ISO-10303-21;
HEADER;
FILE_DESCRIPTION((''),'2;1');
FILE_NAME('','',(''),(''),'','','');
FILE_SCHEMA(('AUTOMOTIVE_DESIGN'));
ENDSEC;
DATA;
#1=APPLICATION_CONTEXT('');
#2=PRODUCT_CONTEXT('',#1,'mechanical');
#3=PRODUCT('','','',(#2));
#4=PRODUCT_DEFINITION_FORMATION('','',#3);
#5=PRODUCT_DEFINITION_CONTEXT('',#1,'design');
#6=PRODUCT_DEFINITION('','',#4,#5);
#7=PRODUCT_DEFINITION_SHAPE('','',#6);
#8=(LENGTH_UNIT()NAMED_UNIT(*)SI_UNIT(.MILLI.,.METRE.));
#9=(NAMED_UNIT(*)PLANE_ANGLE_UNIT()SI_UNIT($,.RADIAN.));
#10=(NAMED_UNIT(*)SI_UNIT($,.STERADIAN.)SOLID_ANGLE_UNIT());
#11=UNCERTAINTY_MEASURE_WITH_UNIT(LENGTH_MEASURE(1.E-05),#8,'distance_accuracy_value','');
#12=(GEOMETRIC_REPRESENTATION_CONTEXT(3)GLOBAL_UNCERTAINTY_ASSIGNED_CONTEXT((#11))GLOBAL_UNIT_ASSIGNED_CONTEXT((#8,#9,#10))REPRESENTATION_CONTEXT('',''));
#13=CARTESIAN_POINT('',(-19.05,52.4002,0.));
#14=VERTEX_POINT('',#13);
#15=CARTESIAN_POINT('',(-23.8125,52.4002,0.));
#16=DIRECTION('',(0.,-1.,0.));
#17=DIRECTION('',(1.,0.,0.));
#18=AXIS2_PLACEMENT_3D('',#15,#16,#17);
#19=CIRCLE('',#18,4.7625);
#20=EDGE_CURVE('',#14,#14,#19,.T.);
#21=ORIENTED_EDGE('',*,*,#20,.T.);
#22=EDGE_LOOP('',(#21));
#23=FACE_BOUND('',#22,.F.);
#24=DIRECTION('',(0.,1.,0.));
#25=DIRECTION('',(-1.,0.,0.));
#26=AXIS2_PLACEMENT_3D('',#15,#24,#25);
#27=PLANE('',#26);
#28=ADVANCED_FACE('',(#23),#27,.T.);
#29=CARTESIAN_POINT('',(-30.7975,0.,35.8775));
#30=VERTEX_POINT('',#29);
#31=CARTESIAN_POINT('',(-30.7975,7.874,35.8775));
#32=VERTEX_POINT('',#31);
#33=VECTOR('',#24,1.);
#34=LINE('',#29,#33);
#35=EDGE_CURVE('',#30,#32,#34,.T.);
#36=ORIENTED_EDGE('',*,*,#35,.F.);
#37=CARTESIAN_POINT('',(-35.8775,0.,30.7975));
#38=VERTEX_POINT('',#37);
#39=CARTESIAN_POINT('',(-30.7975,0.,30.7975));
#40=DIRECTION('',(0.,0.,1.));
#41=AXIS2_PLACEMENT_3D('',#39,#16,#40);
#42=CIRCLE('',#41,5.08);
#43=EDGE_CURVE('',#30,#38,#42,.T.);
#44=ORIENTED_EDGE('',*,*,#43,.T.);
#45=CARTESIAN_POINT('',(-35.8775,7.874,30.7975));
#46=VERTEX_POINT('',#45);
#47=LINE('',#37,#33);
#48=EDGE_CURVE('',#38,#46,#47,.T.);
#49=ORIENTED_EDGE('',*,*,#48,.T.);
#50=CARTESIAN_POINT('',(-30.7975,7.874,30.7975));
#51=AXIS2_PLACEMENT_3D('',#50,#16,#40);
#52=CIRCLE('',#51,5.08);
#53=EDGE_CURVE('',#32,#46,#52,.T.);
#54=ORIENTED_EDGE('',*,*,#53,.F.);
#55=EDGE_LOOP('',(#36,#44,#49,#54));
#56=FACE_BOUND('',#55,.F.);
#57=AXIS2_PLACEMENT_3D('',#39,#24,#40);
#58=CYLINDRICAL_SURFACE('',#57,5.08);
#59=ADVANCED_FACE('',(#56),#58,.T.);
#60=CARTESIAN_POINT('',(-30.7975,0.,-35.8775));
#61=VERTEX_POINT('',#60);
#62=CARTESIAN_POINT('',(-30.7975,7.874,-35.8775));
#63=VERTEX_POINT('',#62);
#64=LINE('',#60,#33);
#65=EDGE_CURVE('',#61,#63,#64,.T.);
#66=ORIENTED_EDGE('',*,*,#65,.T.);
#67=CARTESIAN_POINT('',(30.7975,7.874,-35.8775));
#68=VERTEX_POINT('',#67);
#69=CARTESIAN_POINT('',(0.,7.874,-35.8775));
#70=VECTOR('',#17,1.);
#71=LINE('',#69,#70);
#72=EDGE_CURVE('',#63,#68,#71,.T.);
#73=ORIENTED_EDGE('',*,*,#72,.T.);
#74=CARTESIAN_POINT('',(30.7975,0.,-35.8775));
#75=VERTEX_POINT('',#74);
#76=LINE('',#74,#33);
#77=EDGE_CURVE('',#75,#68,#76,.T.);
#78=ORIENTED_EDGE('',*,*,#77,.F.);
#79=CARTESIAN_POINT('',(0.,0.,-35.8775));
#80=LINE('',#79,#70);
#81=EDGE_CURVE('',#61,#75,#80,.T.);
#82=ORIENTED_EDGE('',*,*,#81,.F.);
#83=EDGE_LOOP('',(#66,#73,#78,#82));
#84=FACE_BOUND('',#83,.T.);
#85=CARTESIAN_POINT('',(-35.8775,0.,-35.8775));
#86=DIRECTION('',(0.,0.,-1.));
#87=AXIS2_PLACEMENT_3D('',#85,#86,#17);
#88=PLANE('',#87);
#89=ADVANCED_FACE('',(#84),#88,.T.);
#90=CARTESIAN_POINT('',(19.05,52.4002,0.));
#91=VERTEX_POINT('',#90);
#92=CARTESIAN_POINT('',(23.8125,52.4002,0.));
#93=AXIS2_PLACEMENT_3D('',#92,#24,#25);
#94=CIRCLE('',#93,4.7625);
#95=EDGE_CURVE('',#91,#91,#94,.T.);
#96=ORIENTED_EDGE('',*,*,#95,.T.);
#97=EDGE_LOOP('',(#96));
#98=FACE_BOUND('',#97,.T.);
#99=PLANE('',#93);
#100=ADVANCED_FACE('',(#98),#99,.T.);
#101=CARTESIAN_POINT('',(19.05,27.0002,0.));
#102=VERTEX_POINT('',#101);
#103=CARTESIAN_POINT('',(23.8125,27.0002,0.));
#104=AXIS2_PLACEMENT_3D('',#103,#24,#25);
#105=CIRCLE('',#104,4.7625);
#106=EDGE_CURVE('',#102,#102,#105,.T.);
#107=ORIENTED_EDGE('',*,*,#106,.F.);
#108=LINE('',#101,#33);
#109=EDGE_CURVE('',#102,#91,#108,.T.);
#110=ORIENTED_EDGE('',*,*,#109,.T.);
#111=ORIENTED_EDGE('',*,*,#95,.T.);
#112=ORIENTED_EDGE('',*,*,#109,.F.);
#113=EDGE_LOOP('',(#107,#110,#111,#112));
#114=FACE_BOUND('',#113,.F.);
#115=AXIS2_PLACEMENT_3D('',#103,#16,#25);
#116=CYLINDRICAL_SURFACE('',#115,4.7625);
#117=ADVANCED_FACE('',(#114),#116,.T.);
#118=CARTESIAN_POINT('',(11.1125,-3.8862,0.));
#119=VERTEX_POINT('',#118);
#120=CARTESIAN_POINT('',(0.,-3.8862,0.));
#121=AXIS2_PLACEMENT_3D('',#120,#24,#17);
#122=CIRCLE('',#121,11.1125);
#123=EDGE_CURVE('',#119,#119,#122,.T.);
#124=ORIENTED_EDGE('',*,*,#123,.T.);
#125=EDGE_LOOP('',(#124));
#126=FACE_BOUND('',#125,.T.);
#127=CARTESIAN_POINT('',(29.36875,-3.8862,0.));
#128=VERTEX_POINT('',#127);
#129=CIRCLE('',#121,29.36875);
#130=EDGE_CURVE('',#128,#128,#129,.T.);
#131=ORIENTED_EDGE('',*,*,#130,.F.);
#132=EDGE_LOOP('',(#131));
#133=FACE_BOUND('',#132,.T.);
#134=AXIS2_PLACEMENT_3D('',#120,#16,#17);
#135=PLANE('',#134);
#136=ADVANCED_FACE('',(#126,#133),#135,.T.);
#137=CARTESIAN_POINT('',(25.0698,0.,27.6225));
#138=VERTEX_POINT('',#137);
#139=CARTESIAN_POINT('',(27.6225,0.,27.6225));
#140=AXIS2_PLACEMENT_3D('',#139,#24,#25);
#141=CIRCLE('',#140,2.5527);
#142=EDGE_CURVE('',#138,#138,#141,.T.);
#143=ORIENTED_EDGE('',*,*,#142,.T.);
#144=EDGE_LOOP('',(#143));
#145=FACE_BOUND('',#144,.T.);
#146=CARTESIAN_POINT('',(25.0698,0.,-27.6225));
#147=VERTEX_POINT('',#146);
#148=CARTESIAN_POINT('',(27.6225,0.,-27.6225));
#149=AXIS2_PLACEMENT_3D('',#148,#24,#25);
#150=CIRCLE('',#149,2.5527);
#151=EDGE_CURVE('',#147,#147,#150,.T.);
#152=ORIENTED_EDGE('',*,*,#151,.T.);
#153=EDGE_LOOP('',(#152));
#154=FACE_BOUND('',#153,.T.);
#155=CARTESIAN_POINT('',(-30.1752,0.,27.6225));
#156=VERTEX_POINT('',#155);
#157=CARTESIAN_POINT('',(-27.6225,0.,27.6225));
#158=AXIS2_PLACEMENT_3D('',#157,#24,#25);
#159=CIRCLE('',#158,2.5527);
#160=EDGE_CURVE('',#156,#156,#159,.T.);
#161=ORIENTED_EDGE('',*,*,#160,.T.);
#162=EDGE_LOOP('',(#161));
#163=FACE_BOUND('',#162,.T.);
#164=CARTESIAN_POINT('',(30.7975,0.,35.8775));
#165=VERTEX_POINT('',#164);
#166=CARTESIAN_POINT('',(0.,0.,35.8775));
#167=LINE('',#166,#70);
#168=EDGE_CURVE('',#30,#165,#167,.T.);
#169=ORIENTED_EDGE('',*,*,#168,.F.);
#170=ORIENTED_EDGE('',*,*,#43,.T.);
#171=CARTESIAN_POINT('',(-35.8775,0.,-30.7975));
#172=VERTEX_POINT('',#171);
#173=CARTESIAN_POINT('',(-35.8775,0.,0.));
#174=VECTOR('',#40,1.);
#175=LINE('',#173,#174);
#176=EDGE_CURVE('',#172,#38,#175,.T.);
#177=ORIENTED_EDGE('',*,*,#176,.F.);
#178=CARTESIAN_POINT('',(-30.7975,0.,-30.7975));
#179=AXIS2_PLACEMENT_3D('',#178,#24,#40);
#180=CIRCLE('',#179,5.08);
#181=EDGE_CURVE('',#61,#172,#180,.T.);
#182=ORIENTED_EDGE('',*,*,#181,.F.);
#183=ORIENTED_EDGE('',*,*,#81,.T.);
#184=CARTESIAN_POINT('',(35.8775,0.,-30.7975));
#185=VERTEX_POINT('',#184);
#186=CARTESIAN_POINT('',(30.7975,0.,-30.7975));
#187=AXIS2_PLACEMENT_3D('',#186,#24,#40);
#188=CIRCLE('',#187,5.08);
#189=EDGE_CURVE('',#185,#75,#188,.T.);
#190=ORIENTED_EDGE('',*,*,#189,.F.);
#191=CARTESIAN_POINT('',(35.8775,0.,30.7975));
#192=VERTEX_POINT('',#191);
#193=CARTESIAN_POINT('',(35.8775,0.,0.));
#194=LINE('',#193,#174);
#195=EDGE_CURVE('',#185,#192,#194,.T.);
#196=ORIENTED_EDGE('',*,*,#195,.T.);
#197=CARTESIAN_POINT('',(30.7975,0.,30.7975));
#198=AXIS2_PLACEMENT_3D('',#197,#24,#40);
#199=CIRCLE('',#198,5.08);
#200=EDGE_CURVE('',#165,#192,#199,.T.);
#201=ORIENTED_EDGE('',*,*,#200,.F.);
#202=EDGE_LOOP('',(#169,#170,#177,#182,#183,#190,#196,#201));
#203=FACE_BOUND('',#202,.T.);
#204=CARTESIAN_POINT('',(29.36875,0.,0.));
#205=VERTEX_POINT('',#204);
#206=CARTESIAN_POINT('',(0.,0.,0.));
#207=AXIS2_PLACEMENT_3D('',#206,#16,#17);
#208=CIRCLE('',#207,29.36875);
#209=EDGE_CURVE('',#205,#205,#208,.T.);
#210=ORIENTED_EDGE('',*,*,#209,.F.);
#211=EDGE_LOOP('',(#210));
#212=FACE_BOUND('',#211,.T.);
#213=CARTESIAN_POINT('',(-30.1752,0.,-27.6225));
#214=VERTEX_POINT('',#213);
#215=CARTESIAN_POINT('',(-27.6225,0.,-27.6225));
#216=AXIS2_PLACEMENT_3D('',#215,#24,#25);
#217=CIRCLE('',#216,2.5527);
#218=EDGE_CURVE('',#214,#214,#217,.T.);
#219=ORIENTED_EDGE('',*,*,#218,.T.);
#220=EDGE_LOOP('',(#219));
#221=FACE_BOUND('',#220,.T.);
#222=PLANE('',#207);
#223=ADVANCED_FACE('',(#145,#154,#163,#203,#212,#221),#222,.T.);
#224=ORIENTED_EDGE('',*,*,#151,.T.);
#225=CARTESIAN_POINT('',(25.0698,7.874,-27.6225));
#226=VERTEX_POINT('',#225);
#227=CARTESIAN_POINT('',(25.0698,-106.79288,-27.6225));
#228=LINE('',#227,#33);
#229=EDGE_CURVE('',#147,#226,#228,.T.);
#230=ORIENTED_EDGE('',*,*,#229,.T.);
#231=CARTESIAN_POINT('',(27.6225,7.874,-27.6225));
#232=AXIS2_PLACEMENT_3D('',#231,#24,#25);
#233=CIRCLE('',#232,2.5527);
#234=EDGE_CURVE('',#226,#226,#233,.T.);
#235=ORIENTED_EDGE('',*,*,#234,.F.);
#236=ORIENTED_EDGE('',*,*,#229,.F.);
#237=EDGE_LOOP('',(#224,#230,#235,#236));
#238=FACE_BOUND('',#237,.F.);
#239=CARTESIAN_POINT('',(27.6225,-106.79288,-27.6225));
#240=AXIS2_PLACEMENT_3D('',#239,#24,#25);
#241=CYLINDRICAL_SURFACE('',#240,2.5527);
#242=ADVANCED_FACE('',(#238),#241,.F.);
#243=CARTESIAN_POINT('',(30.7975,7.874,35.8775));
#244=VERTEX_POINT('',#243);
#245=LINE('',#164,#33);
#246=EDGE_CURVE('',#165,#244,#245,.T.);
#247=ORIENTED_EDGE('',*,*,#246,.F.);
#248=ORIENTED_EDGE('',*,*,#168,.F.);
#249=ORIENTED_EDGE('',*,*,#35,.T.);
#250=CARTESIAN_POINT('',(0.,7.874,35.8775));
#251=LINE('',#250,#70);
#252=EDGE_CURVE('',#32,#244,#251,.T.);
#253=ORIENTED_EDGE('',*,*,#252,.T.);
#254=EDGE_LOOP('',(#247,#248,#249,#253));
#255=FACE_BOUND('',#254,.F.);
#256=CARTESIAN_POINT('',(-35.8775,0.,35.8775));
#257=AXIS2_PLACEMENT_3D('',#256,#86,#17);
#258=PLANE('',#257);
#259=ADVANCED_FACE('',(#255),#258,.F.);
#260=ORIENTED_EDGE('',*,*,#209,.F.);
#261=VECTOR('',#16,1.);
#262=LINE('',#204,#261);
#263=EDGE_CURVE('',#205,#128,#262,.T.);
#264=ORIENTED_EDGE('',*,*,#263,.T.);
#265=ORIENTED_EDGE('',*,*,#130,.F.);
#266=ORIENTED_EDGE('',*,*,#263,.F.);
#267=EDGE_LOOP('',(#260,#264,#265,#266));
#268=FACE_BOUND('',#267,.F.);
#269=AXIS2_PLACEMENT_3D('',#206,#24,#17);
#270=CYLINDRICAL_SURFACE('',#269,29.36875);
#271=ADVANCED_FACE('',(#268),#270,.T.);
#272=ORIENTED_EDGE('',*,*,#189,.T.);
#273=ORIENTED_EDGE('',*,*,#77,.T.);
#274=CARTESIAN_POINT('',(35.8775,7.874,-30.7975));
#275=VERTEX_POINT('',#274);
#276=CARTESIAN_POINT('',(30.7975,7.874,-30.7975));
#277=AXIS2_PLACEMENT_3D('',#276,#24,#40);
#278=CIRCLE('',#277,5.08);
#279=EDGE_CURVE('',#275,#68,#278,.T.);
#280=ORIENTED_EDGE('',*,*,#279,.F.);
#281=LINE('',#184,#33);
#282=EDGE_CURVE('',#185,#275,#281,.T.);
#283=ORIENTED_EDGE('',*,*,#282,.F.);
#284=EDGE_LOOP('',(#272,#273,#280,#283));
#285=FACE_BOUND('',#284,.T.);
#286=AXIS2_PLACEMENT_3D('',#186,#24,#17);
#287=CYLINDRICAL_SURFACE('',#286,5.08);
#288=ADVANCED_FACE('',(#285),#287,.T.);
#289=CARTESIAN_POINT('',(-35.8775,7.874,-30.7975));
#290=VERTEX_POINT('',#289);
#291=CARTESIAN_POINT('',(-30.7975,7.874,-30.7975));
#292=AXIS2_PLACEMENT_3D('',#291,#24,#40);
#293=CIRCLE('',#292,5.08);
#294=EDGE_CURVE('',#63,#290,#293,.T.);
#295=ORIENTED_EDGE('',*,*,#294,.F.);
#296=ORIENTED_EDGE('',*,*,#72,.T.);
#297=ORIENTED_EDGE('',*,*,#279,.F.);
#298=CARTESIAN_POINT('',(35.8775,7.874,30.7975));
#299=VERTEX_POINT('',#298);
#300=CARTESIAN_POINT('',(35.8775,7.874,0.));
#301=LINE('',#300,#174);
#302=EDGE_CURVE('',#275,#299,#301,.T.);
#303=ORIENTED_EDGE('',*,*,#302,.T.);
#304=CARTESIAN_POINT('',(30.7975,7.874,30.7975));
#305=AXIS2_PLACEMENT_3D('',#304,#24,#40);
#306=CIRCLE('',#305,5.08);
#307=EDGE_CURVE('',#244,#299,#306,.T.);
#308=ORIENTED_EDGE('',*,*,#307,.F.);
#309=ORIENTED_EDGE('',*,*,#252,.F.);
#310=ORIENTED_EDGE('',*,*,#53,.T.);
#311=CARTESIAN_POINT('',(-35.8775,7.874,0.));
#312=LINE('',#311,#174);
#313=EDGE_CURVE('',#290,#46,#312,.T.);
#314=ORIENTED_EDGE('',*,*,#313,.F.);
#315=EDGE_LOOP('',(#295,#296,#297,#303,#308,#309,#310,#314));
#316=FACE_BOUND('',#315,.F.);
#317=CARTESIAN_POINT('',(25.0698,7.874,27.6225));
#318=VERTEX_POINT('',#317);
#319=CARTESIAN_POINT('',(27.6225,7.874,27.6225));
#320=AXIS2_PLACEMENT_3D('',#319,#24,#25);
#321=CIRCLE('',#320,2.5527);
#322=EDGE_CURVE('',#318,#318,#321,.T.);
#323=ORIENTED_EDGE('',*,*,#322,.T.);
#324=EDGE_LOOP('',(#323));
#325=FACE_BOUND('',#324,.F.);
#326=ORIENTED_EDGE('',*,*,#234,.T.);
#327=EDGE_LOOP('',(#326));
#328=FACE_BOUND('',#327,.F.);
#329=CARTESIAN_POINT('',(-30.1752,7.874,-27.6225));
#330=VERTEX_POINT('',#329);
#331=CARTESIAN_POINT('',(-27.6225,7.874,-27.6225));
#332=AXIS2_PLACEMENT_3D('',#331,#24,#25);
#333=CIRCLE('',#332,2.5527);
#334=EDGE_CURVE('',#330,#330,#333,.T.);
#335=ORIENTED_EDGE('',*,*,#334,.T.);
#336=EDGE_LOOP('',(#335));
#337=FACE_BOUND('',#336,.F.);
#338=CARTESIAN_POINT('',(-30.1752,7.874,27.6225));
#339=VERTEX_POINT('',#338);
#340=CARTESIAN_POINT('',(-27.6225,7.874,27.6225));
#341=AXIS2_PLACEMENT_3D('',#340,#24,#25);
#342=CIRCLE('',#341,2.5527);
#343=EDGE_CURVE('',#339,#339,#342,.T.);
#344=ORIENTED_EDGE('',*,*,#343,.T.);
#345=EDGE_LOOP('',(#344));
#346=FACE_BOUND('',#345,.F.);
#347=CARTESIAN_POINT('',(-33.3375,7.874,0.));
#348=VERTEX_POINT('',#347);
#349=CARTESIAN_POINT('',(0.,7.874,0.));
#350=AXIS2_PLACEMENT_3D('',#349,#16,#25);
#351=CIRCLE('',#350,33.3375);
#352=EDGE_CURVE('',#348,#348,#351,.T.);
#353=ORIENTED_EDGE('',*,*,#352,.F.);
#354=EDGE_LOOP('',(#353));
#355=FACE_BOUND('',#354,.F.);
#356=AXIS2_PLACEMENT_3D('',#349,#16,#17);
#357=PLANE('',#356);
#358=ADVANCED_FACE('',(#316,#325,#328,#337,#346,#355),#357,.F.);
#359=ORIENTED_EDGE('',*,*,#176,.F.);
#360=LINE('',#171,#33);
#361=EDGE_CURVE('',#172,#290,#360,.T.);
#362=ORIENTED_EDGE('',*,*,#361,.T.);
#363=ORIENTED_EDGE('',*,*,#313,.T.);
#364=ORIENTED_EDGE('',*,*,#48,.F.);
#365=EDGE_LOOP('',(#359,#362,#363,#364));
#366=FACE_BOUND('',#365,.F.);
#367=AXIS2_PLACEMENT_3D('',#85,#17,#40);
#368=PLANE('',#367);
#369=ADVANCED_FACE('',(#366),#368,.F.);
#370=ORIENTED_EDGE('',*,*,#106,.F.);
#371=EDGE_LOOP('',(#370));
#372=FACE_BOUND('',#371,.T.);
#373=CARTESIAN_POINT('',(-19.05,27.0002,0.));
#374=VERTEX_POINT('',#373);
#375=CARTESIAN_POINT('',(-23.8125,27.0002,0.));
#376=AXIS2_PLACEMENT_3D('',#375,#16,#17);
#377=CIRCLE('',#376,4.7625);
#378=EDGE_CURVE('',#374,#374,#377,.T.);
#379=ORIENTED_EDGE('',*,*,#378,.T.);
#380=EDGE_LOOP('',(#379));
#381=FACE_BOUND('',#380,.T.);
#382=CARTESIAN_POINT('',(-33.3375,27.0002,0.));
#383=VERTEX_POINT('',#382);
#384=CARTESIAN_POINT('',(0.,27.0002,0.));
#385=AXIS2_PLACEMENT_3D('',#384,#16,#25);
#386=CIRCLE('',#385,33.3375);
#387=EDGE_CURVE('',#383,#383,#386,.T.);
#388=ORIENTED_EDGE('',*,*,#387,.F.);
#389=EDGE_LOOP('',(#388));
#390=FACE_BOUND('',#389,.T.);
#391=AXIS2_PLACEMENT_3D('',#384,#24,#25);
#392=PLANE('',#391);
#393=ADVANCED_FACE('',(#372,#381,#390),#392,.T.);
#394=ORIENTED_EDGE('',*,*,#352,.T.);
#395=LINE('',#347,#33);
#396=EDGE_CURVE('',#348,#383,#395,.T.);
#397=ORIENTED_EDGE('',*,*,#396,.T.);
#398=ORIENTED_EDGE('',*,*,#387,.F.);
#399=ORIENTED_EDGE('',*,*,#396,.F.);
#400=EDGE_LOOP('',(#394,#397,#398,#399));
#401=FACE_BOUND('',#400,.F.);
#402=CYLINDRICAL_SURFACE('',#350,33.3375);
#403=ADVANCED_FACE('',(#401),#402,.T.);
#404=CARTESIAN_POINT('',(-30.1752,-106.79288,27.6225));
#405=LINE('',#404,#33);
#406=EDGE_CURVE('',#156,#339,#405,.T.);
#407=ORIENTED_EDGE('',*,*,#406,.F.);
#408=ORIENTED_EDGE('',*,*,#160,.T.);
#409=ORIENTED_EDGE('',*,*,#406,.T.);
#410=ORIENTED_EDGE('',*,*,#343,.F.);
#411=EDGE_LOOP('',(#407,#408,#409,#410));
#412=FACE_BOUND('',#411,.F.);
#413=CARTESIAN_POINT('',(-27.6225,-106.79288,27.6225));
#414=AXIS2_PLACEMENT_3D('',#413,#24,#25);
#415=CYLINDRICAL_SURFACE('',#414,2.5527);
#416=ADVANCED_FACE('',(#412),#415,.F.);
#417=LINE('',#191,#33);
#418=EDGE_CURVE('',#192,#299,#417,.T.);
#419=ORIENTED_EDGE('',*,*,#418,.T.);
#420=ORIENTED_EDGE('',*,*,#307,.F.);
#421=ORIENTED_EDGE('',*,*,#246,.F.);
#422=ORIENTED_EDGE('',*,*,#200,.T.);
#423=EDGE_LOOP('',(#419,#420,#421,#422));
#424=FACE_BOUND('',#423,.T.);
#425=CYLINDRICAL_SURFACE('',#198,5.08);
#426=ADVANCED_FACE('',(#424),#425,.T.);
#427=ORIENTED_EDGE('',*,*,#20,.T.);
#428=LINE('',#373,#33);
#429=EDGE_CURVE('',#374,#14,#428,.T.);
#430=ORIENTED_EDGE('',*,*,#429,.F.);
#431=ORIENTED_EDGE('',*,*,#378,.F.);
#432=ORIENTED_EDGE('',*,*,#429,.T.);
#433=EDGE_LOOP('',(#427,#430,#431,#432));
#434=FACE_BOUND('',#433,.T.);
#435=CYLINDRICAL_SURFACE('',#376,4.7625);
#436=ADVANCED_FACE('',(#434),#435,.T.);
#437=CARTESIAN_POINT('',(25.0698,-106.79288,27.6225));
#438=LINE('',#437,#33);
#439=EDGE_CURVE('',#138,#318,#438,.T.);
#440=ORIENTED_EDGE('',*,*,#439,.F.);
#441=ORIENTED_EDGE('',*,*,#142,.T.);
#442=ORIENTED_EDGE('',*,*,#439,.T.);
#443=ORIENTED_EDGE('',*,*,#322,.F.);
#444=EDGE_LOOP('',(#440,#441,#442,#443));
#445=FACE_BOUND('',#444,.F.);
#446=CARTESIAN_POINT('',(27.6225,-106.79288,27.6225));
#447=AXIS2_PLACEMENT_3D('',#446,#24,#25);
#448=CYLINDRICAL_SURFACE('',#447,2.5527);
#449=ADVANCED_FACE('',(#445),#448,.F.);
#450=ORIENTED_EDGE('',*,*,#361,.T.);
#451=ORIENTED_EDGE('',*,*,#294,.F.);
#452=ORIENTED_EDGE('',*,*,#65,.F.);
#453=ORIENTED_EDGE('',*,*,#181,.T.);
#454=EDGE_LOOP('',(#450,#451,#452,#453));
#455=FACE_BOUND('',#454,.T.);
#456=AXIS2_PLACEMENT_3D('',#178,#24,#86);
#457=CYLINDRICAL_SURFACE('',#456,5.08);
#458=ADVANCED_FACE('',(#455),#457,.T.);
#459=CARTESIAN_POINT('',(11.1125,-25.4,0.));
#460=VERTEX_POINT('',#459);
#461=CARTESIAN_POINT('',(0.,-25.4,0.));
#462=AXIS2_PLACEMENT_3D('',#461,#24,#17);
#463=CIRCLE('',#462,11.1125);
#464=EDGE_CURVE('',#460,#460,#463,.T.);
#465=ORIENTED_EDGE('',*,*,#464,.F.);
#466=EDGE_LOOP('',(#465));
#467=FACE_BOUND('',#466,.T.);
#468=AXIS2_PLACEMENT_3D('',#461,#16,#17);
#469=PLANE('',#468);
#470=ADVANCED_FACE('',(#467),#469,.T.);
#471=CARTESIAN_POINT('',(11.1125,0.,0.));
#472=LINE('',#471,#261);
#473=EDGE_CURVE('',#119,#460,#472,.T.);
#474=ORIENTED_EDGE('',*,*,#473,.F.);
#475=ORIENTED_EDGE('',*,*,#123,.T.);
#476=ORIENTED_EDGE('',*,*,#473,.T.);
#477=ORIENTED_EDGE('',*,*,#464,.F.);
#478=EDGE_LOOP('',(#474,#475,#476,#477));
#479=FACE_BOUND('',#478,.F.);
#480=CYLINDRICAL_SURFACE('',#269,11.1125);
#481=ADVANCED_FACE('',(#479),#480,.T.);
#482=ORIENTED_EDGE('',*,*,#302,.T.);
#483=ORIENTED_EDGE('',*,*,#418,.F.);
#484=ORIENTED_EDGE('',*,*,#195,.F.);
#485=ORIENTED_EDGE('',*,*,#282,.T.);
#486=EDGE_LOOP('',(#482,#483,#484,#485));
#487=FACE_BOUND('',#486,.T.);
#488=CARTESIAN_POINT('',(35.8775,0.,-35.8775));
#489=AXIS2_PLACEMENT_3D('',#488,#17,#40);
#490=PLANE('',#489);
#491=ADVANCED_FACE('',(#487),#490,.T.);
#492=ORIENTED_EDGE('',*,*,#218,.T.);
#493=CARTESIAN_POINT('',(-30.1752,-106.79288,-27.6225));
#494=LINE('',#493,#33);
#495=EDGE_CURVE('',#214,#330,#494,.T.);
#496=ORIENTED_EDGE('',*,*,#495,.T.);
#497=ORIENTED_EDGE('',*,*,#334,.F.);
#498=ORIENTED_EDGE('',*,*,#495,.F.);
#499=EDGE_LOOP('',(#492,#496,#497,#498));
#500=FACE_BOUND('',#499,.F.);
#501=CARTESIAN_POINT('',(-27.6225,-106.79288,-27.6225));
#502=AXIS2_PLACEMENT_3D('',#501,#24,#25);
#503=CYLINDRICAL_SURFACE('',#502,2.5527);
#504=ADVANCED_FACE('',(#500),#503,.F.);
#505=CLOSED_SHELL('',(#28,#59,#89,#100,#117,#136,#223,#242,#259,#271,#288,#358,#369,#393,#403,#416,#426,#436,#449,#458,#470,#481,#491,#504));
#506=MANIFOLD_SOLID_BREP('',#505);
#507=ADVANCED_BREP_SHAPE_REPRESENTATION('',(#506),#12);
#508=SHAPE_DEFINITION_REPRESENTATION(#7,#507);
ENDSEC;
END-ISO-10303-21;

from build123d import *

# Parameters (mm, degrees)
F0_W      = 71.755
F0_H      = 71.755
F1_DEPTH  = 7.874
F2_R      = 11.1125
F3_DEPTH  = 25.4
F5_D      = 5.1054
F7_R      = 33.3375
F8_DEPTH  = 19.1262
F9_R      = 4.7625
F10_DEPTH = 25.4
F6_R      = 29.36875
F11_DEPTH = 3.8862
F13_R     = 5.08


with BuildPart() as f1:
    # F0 (on Front) → F1 (new body)
    with BuildSketch(Plane.XZ):
        Rectangle(F0_W, F0_H)
    extrude(amount=-F1_DEPTH)

    # F2 (on face) → F3 (join)
    with BuildSketch(Plane.XZ):
        Circle(F2_R)
    extrude(amount=F3_DEPTH)

    # F5 (through all)
    with Locations(Plane.XZ):
        with Locations((27.6225, 27.6225), (27.6225, -27.6225), (-27.6225, -27.6225), (-27.6225, 27.6225)):
            Hole(F5_D / 2)

    # F7 (on face) → F8 (join)
    with BuildSketch(Plane(origin=(0, 7.874, 0), x_dir=(-1, 0, 0), z_dir=(0, 1, 0))):
        Circle(F7_R)
    extrude(amount=F8_DEPTH)

    # F9 (on face) → F10 (join)
    with BuildSketch(Plane(origin=(0, 27.0002, 0), x_dir=(-1, 0, 0), z_dir=(0, 1, 0))):
        with Locations((-23.8125, 0)):
            Circle(F9_R)
    extrude(amount=F10_DEPTH)

    # F6 (on face) → F11 (join)
    with BuildSketch(Plane.XZ):
        Circle(F6_R)
    extrude(amount=F11_DEPTH)

    # F12: F1 across plane


with BuildPart() as f1_1:
    add(f1.part)
    add(f1.part.mirror(Plane.YZ))

    # F13
    f13_edges = [f1_1.edges().sort_by_distance(p)[0] for p in [
        (35.8775, 3.937, 35.8775),
        (35.8775, 3.937, -35.8775),
        (-35.8775, 3.937, -35.8775),
        (-35.8775, 3.937, 35.8775),
    ]]
    fillet(f13_edges, radius=F13_R)


solid = f1_1.part
